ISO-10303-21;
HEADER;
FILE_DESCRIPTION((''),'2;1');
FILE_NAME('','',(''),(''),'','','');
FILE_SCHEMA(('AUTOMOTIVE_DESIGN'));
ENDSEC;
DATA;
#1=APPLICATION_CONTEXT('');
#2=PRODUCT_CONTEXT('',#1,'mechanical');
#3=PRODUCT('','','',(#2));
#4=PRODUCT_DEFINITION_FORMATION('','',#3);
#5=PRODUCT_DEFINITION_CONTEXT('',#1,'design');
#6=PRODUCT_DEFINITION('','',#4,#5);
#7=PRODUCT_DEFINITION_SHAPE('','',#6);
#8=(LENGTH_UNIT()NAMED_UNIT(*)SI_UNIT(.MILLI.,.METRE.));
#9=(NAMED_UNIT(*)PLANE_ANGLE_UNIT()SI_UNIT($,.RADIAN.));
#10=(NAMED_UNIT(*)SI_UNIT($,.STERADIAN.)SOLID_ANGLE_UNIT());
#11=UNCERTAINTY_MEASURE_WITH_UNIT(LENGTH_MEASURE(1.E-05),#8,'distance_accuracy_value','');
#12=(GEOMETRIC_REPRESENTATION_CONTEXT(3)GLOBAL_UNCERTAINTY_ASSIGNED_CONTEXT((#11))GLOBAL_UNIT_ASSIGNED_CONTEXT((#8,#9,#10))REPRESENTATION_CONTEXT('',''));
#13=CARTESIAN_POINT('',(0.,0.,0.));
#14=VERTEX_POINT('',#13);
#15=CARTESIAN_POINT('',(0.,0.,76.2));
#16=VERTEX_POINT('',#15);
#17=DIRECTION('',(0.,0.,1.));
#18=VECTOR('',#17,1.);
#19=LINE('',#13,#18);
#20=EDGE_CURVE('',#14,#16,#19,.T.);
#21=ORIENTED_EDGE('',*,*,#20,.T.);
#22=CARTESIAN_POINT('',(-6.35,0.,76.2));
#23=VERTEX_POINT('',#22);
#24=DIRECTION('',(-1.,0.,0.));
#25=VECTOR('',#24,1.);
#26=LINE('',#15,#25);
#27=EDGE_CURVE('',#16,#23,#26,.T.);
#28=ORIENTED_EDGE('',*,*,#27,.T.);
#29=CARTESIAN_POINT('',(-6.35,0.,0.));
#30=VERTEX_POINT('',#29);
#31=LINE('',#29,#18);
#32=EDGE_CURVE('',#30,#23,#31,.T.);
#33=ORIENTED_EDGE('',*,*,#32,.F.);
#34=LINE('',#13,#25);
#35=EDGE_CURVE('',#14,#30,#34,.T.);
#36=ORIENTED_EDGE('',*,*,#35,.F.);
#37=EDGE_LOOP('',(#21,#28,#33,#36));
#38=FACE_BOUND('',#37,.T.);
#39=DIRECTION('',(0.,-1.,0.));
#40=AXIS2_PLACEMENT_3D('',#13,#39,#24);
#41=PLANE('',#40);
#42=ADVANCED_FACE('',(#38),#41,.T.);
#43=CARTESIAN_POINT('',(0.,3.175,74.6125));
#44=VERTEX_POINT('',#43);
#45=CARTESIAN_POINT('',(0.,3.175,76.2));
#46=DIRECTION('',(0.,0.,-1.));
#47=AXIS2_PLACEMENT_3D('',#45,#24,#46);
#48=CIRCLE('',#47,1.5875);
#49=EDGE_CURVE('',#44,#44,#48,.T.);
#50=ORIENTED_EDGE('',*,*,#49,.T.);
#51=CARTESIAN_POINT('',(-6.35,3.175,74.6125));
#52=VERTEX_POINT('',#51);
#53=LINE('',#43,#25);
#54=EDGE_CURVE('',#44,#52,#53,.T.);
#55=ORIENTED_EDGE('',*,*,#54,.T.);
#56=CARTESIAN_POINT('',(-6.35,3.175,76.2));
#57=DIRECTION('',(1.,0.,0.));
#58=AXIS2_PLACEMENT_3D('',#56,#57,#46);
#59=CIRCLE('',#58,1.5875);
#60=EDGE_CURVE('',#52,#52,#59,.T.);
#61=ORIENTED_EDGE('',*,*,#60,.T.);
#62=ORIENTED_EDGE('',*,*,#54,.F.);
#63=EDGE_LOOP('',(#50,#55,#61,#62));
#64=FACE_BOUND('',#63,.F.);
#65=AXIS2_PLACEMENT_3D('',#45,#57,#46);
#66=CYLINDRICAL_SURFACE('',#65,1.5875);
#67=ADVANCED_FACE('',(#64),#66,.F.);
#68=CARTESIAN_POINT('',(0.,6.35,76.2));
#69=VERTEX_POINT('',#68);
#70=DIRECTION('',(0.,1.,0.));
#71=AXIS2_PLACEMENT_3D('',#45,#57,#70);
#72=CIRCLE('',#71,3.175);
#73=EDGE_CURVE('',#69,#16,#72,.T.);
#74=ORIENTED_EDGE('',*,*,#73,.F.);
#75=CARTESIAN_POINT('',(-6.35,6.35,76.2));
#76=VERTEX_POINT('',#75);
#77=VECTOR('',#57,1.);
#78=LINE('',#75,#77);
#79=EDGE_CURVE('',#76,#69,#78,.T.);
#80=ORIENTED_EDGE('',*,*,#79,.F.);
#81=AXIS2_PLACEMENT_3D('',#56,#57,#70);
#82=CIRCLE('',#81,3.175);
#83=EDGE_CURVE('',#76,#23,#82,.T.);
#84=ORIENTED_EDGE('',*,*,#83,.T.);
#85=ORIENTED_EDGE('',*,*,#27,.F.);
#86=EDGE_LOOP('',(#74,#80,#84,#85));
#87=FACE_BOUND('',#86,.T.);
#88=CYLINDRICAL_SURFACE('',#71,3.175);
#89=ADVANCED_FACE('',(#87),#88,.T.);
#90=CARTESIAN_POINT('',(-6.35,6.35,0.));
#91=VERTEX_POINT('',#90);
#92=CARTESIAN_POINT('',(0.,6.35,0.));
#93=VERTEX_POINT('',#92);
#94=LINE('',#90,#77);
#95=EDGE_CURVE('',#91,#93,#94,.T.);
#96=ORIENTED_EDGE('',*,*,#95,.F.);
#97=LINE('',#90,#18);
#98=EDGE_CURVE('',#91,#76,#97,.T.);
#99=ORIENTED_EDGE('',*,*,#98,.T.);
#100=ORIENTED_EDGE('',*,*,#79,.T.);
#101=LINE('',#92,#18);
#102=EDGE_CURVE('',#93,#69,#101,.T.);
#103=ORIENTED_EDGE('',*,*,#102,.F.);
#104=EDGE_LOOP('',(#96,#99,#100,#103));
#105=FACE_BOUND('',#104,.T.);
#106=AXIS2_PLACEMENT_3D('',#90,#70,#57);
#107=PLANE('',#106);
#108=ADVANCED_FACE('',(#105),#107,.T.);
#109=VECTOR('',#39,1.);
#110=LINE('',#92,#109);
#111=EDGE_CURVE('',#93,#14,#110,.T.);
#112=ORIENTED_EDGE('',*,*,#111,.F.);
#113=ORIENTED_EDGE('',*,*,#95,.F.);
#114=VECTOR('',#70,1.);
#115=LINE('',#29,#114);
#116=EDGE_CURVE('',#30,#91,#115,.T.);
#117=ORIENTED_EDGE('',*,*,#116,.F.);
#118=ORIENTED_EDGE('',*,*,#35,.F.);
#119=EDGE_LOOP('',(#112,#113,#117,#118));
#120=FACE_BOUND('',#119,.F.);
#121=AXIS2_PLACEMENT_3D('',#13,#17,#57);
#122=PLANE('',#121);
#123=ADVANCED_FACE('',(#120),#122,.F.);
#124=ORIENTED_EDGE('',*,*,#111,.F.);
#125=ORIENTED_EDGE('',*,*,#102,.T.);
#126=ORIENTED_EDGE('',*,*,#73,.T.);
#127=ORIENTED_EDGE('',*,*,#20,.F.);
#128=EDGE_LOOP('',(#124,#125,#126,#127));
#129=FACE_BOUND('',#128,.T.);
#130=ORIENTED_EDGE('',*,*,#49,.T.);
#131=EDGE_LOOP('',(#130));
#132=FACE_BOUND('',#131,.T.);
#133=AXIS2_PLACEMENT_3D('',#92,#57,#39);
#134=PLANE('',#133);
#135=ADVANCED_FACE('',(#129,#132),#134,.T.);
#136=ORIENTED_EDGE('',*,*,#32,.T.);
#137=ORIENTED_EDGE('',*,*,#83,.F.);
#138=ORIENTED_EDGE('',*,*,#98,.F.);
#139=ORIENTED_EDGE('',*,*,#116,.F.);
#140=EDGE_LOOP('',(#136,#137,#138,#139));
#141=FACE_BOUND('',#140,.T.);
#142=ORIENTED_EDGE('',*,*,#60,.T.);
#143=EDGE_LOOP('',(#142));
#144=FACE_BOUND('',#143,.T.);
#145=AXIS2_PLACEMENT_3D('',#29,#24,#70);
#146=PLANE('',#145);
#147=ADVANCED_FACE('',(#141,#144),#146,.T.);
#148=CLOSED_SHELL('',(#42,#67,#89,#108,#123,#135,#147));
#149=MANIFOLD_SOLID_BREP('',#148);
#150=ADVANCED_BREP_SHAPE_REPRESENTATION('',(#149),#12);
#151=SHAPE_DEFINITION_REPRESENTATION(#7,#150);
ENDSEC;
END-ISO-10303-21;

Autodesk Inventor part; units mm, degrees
ref_plane "YZ Plane" through (0, 0, 0) normal (1, 0, 0) x (0, 1, 0)
ref_plane "XZ Plane" through (0, 0, 0) normal (0, 1, 0) x (-1, 0, 0)
ref_plane "XY Plane" through (0, 0, 0) normal (0, 0, 1) x (1, 0, 0)
sketch "Sketch1" plane through (0, 0, 0) normal (0, 0, 1) x (1, 0, 0)
  line L0 (0, 0) -> (-6.35, 0)
  line L1 (-6.35, 0) -> (-6.35, 6.35)
  line L2 (-6.35, 6.35) -> (0, 6.35)
  line L3 (0, 6.35) -> (0, 0)
  dimension "d0" = 6.35
  dimension "d1" = 6.35
extrude "Extrusion1" add sketch "Sketch1" along normal blind 76.2
sketch "Sketch2" plane through (0, 0, 0) normal (1, 0, 0) x (0, 0, -1)
  line L0 (-76.2, 0) -> (-76.2, 6.35) projected
  arc A0 (-76.2, 6.35) -> (-76.2, 0) centre (-76.2, 3.175) ccw
  circle A1 centre (-76.2, 3.175) radius 1.5875
  point P0 (0, 0)
  dimension "d4" = 3.175
  dimension "d5" = 3.175
extrude "Extrusion2" add sketch "Sketch2" against normal blind 6.35 contours A0 L0 A1 | A1 L0 picked at (-76.3266, 2.6612)
extrude "Extrusion3" cut sketch "Sketch2" against normal blind 6.35 contours A1 L0 | L0 A1
